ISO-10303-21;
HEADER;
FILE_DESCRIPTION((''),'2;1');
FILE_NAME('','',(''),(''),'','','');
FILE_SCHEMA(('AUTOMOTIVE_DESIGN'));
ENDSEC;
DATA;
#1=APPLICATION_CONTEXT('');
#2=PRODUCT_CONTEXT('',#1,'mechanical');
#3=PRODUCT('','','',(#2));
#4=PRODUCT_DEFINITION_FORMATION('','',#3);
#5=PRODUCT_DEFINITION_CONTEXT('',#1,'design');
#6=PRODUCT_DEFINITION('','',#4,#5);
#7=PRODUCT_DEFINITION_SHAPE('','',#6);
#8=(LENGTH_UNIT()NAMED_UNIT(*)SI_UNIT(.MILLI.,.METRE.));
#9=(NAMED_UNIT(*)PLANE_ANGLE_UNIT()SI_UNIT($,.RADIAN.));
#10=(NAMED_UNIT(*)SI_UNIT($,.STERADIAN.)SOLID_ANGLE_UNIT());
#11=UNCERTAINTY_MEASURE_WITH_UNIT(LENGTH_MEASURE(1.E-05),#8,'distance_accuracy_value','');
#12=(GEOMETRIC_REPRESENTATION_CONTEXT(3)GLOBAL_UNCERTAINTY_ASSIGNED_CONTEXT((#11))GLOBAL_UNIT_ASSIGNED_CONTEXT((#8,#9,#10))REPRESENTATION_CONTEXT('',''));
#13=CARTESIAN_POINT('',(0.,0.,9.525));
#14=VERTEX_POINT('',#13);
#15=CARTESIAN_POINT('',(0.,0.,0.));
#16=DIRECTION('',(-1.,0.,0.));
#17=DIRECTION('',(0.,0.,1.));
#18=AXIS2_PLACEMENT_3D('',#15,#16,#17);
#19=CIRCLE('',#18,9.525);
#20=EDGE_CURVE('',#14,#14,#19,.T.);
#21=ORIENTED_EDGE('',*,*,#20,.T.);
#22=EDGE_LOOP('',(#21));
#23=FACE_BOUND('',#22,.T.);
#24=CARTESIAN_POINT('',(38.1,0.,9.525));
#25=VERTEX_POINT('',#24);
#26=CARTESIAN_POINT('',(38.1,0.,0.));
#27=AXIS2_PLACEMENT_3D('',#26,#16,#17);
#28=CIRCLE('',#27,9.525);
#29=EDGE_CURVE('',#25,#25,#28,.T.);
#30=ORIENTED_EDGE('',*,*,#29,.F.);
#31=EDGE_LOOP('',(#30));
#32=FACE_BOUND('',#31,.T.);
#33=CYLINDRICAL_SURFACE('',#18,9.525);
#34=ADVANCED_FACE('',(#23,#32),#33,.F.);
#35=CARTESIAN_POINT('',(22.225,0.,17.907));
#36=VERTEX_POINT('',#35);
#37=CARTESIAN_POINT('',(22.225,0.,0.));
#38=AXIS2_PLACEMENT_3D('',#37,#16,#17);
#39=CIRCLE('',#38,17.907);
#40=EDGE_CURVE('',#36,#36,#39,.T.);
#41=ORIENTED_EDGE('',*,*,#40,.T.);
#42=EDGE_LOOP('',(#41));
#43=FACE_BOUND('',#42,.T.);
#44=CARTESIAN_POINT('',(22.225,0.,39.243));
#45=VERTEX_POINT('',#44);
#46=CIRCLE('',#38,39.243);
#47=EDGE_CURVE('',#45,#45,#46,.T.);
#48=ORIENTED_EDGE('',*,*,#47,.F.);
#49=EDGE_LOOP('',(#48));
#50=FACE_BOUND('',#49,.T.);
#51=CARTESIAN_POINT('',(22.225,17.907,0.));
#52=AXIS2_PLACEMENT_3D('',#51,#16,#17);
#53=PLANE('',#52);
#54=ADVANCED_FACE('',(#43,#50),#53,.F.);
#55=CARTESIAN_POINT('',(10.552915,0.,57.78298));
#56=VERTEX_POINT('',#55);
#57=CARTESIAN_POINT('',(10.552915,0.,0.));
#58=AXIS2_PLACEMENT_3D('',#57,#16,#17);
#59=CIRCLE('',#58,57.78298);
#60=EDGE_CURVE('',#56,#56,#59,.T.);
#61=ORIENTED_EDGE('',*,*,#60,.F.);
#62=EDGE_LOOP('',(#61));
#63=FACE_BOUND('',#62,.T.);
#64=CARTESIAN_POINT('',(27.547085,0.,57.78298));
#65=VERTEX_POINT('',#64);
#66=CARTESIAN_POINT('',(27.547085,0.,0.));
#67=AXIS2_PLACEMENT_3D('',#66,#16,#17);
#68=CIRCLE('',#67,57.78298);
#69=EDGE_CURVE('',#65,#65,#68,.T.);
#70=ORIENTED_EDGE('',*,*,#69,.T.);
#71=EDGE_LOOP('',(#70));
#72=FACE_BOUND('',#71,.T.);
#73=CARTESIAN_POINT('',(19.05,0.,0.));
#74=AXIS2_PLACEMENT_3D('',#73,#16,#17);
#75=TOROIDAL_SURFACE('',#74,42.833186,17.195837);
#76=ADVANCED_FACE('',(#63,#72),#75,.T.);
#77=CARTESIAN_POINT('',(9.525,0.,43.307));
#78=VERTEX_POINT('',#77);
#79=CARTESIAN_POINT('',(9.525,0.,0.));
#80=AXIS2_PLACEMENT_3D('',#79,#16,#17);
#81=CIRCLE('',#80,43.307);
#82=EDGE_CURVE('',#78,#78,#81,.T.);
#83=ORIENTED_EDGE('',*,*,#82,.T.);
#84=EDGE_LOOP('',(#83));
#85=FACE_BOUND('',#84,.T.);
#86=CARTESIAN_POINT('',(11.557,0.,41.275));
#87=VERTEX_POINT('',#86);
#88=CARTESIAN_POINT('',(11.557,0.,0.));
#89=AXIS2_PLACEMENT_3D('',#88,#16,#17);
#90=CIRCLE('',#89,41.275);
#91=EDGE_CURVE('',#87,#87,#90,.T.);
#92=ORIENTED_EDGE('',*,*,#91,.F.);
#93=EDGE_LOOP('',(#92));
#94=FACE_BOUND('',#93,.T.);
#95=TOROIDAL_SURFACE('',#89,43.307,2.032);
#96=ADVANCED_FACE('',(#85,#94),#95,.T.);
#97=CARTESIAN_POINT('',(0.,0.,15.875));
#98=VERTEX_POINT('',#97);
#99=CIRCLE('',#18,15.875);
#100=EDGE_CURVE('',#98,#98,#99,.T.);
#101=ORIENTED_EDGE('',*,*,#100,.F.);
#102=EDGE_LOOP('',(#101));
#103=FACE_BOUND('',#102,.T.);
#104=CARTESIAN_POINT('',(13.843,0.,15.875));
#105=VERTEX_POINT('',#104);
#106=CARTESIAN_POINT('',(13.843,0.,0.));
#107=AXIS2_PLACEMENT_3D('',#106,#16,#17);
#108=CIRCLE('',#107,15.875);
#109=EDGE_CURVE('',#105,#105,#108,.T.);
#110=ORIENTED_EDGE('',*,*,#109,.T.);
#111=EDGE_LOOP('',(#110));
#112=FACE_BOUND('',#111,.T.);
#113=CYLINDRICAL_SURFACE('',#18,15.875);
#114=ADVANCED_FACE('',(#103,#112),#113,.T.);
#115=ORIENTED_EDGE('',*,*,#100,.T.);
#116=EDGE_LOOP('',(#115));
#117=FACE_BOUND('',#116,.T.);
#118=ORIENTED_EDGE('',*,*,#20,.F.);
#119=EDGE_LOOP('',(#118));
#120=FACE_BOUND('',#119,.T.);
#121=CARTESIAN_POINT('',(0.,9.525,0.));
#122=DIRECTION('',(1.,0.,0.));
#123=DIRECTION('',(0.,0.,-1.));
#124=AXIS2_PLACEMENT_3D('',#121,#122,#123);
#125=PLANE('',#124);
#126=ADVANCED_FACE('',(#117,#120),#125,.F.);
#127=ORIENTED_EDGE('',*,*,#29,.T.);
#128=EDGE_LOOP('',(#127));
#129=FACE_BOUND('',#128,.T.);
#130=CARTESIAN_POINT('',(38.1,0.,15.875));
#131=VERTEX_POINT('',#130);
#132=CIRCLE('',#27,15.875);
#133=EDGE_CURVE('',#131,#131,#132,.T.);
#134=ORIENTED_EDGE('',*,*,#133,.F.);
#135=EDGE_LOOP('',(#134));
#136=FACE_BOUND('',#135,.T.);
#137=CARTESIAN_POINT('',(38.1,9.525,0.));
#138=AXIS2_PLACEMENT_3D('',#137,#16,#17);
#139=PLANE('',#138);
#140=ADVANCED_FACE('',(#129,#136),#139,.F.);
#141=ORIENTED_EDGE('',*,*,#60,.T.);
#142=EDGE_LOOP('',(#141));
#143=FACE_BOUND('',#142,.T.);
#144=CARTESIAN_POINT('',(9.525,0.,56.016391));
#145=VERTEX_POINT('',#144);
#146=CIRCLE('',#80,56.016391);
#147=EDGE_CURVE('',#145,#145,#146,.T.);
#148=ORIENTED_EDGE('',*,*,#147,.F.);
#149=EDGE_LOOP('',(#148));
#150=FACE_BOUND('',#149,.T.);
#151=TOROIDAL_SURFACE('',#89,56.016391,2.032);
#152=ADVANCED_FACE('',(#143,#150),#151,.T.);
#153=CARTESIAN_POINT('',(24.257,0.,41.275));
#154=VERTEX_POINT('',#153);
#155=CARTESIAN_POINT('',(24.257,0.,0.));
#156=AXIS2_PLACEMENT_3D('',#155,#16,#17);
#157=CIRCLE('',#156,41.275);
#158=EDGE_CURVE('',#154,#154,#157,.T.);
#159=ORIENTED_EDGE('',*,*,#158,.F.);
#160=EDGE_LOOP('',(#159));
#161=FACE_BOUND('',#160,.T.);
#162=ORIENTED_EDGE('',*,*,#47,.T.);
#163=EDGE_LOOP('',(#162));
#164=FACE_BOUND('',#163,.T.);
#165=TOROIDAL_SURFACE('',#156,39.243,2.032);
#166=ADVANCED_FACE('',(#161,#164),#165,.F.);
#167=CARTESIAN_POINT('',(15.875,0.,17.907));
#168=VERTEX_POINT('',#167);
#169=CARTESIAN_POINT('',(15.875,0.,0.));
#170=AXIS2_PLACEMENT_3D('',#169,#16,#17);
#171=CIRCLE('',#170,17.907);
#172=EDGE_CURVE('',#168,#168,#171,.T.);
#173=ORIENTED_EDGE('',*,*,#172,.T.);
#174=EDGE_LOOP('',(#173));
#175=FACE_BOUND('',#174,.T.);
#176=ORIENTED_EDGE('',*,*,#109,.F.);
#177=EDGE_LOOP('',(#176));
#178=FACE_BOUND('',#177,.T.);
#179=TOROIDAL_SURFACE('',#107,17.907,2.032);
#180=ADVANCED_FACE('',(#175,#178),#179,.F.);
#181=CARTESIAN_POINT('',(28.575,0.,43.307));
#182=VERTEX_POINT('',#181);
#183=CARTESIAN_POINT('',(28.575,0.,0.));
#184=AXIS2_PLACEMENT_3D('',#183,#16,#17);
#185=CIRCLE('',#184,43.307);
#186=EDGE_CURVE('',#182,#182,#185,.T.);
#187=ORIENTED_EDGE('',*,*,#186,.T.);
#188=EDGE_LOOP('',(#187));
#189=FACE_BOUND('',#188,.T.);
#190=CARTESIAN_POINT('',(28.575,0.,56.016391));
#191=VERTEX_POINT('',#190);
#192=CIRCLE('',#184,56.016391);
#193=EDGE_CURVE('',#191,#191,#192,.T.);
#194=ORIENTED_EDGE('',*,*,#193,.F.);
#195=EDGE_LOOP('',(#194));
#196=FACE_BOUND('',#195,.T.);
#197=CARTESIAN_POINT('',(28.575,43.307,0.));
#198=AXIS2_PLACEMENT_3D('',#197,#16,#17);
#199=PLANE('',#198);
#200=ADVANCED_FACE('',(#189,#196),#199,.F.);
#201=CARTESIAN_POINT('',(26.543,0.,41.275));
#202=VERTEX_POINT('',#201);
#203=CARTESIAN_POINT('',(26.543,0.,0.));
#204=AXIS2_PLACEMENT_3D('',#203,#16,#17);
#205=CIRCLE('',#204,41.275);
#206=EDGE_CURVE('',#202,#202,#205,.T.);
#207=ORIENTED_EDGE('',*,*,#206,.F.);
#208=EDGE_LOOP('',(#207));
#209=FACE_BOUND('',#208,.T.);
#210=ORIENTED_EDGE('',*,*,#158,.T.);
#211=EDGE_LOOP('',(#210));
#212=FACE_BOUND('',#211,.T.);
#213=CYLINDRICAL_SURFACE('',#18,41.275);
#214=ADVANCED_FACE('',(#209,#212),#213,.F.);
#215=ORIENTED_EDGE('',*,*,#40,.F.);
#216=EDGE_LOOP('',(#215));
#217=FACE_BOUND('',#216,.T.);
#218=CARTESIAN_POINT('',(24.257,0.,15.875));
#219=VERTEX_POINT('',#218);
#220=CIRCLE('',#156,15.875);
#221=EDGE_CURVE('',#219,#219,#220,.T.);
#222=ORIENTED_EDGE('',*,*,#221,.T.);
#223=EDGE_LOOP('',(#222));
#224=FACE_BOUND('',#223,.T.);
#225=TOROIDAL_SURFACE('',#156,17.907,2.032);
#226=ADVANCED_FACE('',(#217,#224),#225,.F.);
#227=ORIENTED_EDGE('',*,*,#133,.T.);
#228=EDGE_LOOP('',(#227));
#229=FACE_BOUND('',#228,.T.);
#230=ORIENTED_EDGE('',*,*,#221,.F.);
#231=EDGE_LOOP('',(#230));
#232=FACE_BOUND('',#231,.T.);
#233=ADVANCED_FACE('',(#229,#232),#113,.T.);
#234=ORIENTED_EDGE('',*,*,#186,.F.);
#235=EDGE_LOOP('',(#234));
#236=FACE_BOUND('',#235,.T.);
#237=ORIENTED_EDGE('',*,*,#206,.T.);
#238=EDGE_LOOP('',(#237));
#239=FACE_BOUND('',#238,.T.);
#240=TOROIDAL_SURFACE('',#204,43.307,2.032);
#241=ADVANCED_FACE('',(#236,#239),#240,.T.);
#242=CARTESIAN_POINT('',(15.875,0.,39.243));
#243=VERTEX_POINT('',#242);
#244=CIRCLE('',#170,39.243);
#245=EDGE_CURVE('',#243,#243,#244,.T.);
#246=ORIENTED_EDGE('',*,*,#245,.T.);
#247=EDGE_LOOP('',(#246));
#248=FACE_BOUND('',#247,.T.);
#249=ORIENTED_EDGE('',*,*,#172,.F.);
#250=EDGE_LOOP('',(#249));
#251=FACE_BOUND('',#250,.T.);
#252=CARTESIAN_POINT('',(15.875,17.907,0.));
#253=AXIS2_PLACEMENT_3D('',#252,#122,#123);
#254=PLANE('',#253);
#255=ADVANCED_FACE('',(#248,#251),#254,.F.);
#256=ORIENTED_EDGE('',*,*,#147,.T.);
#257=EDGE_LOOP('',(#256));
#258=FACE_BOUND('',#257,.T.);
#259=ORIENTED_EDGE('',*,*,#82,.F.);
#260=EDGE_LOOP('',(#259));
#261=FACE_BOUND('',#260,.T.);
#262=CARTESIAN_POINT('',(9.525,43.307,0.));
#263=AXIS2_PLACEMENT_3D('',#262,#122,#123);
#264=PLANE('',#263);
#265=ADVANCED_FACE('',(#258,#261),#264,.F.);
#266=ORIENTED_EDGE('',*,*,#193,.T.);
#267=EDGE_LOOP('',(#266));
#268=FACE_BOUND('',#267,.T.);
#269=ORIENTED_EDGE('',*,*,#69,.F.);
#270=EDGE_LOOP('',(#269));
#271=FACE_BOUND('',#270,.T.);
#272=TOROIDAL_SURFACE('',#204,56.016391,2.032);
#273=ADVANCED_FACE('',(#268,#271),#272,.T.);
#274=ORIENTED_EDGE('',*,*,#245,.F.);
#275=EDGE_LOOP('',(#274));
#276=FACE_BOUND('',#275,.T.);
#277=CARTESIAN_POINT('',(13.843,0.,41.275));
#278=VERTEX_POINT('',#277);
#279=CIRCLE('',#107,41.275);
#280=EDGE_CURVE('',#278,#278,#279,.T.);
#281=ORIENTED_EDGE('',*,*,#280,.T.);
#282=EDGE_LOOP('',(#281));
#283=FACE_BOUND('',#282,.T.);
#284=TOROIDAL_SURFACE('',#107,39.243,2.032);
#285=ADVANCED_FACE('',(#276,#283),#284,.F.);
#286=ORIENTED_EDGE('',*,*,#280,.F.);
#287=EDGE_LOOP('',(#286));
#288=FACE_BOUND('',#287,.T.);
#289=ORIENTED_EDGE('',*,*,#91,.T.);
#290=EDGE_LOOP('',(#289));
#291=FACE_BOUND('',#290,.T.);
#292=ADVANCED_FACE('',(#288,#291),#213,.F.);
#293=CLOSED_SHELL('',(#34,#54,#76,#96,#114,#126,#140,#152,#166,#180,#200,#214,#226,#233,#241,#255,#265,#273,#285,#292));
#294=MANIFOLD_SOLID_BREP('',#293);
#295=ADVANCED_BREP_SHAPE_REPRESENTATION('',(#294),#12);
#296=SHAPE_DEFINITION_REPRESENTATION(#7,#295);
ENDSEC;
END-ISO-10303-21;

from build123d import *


with BuildPart() as part:
    # Sketch1 → Revolve1 (revolve)
    with BuildSketch(Plane.XY, mode=Mode.PRIVATE) as revolve1_sk:
        with BuildLine():
            Line((0, 9.525), (38.1, 9.525))
            Line((38.1, 9.525), (38.1, 15.875))
            Line((38.1, 15.875), (24.257, 15.875))
            ThreePointArc((24.257, 15.875), (22.820159021, 16.470159021), (22.225, 17.907))
            Line((22.225, 17.907), (22.225, 39.243))
            ThreePointArc((22.225, 39.243), (22.820159021, 40.679840979), (24.257, 41.275))
            Line((24.257, 41.275), (26.543, 41.275))
            ThreePointArc((26.543, 41.275), (27.979840979, 41.870159021), (28.575, 43.307))
            Line((28.575, 43.307), (28.575, 56.016390606))
            ThreePointArc((28.575, 56.016390606), (28.299320593, 57.038330904), (27.547084672, 57.782979967))
            ThreePointArc((27.547084672, 57.782979967), (19.05, 60.029022291), (10.552915328, 57.782979967))
            ThreePointArc((10.552915328, 57.782979967), (9.800679407, 57.038330904), (9.525, 56.016390606))
            Line((9.525, 56.016390606), (9.525, 43.307))
            ThreePointArc((9.525, 43.307), (10.120159021, 41.870159021), (11.557, 41.275))
            Line((11.557, 41.275), (13.843, 41.275))
            ThreePointArc((13.843, 41.275), (15.279840979, 40.679840979), (15.875, 39.243))
            Line((15.875, 39.243), (15.875, 17.907))
            ThreePointArc((15.875, 17.907), (15.279840979, 16.470159021), (13.843, 15.875))
            Line((13.843, 15.875), (0, 15.875))
            Line((0, 15.875), (0, 9.525))
        make_face()
    revolve(revolve1_sk.sketch.rotate(Axis((0, 0, 0), (1, 0, 0)), 90), axis=Axis((0, 0, 0), (1, 0, 0)))


solid = part.part
